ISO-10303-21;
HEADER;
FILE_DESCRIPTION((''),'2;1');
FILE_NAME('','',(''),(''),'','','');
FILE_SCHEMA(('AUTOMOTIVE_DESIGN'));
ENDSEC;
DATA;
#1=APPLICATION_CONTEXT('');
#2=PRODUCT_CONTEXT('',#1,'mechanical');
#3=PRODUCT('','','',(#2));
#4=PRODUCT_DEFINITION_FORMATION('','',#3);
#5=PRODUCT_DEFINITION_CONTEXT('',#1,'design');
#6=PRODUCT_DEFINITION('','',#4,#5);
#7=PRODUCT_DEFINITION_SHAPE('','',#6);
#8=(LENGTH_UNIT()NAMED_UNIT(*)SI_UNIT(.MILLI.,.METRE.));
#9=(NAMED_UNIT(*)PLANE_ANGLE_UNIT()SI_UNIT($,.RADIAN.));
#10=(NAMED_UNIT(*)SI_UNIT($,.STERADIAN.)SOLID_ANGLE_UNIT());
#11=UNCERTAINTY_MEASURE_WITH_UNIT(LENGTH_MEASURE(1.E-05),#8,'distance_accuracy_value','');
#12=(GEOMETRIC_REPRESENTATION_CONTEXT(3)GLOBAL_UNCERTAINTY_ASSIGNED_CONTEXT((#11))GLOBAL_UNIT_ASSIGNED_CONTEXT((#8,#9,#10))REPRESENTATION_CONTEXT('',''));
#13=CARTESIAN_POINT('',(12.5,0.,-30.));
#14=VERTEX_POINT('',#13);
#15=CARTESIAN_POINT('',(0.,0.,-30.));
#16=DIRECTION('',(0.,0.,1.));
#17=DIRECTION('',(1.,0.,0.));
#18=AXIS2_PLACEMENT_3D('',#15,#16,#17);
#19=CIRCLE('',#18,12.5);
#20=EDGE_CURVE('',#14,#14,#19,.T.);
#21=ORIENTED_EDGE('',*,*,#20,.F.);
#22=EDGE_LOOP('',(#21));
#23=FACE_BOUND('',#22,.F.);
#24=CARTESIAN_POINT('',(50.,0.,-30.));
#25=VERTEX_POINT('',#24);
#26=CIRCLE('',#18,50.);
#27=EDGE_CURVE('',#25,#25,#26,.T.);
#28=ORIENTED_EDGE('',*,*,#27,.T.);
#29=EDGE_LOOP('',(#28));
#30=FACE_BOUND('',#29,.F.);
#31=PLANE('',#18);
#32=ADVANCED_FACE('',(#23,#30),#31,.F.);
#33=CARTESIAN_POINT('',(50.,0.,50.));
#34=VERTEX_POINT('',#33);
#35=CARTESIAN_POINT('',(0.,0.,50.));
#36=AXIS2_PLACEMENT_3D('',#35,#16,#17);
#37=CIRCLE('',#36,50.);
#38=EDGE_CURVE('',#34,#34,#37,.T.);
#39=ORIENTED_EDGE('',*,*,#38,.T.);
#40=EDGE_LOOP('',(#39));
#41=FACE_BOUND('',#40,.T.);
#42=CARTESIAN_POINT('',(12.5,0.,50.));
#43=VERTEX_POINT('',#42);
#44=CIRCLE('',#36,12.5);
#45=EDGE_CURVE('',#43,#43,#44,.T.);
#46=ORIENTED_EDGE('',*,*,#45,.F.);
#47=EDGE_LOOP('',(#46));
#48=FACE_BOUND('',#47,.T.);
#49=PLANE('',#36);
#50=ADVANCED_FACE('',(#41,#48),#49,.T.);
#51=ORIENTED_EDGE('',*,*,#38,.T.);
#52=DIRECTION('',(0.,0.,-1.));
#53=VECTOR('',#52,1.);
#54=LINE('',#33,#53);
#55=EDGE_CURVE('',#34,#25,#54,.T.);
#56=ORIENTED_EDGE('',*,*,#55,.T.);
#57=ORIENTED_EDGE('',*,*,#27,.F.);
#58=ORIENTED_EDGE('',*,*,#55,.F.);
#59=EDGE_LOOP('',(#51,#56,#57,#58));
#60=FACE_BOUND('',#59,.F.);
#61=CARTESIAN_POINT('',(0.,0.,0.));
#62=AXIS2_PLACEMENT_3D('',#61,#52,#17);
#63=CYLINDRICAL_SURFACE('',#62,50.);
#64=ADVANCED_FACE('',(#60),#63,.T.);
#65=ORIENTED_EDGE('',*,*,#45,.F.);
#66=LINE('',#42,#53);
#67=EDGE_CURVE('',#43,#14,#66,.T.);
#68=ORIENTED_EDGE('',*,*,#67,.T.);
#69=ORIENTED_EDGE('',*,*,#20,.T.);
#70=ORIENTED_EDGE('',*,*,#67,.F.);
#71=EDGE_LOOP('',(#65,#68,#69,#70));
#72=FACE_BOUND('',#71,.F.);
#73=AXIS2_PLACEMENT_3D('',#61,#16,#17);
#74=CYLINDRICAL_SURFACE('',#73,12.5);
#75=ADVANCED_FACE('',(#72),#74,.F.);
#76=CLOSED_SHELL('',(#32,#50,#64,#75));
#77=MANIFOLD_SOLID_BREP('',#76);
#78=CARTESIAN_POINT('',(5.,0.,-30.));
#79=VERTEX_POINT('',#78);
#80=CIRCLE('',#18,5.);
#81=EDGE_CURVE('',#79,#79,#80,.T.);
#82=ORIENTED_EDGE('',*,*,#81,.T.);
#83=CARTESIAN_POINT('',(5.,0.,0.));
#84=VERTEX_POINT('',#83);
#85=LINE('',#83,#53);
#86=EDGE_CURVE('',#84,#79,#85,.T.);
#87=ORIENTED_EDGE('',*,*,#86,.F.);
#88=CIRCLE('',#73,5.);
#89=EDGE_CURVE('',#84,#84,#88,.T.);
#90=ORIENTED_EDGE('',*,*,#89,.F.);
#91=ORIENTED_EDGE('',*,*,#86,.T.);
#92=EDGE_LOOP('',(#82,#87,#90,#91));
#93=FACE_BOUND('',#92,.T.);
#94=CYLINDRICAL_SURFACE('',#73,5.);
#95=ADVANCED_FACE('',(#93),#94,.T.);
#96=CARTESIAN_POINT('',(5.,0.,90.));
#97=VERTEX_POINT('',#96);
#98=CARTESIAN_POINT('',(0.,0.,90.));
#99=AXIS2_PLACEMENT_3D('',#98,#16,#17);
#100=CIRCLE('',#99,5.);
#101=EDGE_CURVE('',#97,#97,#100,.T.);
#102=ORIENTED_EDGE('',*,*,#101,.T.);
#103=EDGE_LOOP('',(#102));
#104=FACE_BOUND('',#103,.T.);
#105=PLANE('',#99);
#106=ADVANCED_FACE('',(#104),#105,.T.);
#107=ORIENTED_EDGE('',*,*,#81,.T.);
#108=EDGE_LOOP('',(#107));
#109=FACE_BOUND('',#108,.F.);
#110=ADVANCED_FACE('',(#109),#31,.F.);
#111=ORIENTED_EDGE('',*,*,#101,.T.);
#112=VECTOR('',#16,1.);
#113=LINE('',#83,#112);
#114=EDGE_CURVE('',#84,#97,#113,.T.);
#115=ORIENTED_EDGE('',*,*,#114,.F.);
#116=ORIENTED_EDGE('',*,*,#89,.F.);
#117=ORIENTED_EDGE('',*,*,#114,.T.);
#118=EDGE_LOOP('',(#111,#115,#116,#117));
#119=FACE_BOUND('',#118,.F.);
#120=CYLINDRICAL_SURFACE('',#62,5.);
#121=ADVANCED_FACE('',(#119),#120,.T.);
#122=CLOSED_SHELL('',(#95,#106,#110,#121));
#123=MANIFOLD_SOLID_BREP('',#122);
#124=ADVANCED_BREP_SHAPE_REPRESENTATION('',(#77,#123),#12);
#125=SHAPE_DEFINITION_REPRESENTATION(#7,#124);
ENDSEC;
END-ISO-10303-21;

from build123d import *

# Parameters (mm, degrees)
F0_R     = 50
F0_R_2   = 42.5
F0_R_3   = 12.5
F1_DEPTH = 30
F0_R_4   = 5
F2_DEPTH = 90
F3_DEPTH = 50


with BuildPart() as f1:
    # F0 (on Top) → F1 (new body)
    with BuildSketch(Plane.XY):
        Circle(F0_R)
        Circle(F0_R_2, mode=Mode.SUBTRACT)
        Circle(F0_R_2)
        Circle(F0_R_3, mode=Mode.SUBTRACT)
    extrude(amount=-F1_DEPTH)

    # F3 (add): faces of the model
    f3_faces = [f1.faces().sort_by_distance(p)[0] for p in [
        (-48.5857864376, 0, 0),
        (-48.5857864376, 0, -30),
    ]]
    extrude(f3_faces, amount=F3_DEPTH, dir=(0, 0, 1))


with BuildPart() as f1b:
    # F0 (on Top) → F1, piece 2 (new body)
    with BuildSketch(Plane.XY):
        Circle(F0_R_4)
    extrude(amount=-F1_DEPTH)

    # F2 (add): a face of the model
    f2_faces = [f1b.faces().sort_by_distance(p)[0] for p in [
        (0, 0, 0),
    ]]
    extrude(f2_faces, amount=F2_DEPTH)


solid = Compound([f1.part, f1b.part])
